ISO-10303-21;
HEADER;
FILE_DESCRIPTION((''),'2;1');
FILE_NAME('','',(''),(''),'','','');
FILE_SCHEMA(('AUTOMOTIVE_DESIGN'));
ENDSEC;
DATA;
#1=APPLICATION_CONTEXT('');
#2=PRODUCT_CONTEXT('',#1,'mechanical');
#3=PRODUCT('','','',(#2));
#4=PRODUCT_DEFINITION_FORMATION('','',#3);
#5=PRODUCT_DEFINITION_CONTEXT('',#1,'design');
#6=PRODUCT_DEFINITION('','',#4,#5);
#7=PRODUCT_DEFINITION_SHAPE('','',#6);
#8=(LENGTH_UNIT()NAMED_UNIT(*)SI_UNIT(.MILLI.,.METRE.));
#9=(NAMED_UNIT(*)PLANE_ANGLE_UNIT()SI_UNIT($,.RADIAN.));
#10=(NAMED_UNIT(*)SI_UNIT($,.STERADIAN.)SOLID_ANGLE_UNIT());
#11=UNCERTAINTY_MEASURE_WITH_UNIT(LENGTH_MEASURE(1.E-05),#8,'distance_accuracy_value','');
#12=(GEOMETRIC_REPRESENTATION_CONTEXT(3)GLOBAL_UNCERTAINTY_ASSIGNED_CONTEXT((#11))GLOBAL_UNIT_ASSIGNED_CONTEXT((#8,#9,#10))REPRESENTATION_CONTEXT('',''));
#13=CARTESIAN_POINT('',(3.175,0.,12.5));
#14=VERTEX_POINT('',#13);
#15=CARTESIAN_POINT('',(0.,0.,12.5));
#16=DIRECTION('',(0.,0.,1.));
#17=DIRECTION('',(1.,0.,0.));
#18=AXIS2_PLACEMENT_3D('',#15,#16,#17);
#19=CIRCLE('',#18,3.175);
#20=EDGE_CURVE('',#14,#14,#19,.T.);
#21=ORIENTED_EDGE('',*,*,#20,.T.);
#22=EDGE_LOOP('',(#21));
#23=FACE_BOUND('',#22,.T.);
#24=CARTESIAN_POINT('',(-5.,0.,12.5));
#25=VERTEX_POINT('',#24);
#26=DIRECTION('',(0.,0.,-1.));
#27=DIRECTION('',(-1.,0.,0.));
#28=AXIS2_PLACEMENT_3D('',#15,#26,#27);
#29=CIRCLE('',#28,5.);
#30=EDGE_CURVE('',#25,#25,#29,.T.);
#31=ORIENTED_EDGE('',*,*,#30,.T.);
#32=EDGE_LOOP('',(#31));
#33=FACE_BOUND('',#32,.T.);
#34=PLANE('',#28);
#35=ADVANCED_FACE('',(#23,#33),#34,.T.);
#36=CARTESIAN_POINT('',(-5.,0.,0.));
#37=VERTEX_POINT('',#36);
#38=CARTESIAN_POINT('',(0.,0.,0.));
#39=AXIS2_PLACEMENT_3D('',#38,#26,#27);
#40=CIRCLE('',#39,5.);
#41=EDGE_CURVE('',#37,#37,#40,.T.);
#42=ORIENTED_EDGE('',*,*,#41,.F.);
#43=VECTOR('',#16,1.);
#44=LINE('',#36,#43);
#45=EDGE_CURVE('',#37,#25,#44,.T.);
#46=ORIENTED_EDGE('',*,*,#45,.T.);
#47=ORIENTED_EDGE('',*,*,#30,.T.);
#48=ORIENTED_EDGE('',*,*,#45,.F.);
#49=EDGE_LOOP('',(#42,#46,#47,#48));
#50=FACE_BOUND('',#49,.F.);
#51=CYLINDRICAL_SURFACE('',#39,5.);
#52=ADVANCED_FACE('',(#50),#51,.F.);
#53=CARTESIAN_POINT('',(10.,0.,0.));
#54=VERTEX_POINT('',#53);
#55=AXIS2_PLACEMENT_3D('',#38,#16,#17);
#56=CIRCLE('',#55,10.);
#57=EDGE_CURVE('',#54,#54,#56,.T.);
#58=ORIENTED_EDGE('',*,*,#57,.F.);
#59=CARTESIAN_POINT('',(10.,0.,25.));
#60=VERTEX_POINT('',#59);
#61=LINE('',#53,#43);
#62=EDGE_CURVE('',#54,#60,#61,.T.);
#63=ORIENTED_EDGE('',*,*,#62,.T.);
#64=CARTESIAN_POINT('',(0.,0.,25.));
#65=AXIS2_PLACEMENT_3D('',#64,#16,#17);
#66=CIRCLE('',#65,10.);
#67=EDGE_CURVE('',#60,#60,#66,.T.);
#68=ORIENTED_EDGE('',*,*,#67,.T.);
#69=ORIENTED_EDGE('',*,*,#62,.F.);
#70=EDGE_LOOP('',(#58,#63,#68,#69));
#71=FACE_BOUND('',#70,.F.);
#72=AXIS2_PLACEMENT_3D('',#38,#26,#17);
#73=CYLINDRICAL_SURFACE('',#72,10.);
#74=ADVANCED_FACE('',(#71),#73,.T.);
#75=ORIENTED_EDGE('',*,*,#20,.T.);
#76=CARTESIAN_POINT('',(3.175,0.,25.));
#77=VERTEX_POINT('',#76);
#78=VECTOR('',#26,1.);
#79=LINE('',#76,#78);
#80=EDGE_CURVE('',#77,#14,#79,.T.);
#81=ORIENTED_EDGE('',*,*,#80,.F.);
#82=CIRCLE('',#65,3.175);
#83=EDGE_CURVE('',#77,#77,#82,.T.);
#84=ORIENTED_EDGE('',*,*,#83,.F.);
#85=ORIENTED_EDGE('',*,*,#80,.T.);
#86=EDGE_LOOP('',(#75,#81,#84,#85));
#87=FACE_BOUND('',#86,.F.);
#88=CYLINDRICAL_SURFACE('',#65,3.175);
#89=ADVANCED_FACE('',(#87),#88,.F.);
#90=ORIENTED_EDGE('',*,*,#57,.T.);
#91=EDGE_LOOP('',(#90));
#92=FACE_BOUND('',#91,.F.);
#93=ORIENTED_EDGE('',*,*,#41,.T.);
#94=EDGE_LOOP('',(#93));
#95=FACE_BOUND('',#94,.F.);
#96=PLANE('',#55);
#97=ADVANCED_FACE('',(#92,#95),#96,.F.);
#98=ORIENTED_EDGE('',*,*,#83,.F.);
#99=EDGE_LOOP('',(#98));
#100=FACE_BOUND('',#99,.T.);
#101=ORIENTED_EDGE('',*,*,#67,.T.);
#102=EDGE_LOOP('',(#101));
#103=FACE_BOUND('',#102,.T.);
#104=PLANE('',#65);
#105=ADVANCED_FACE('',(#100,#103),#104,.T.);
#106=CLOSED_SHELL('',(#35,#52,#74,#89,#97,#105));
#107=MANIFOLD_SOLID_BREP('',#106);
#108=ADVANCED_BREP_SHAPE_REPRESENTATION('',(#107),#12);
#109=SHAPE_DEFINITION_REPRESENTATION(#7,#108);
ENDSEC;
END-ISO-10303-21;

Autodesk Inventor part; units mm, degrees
ref_plane "YZ Plane" through (0, 0, 0) normal (1, 0, 0) x (0, 1, 0)
ref_plane "XZ Plane" through (0, 0, 0) normal (0, 1, 0) x (-1, 0, 0)
ref_plane "XY Plane" through (0, 0, 0) normal (0, 0, 1) x (1, 0, 0)
sketch "Sketch1" plane through (0, 0, 0) normal (0, 0, 1) x (1, 0, 0)
  circle A0 centre (0, 0) radius 10
  dimension "d0" = 20
extrude "Extrusion1" add sketch "Sketch1" along normal blind 25
sketch "Sketch2" plane through (0, 0, 25) normal (0, 0, 1) x (1, 0, 0)
  circle A0 centre (0, 0) radius 10 projected
  circle A1 centre (0, 0) radius 3.175
  dimension "d3" = 6.35
extrude "Extrusion2" cut sketch "Sketch2" against normal blind 12.5 contours A1
sketch "Sketch3" plane through (0, 0, 0) normal (0, 0, -1) x (-1, 0, 0)
  circle A0 centre (0, 0) radius 10 projected
  circle A1 centre (0, 0) radius 5
  dimension "d6" = 10
extrude "Extrusion3" cut sketch "Sketch3" against normal blind 12.5 contours A1
properties part number "6.35x10mm_coupler"
